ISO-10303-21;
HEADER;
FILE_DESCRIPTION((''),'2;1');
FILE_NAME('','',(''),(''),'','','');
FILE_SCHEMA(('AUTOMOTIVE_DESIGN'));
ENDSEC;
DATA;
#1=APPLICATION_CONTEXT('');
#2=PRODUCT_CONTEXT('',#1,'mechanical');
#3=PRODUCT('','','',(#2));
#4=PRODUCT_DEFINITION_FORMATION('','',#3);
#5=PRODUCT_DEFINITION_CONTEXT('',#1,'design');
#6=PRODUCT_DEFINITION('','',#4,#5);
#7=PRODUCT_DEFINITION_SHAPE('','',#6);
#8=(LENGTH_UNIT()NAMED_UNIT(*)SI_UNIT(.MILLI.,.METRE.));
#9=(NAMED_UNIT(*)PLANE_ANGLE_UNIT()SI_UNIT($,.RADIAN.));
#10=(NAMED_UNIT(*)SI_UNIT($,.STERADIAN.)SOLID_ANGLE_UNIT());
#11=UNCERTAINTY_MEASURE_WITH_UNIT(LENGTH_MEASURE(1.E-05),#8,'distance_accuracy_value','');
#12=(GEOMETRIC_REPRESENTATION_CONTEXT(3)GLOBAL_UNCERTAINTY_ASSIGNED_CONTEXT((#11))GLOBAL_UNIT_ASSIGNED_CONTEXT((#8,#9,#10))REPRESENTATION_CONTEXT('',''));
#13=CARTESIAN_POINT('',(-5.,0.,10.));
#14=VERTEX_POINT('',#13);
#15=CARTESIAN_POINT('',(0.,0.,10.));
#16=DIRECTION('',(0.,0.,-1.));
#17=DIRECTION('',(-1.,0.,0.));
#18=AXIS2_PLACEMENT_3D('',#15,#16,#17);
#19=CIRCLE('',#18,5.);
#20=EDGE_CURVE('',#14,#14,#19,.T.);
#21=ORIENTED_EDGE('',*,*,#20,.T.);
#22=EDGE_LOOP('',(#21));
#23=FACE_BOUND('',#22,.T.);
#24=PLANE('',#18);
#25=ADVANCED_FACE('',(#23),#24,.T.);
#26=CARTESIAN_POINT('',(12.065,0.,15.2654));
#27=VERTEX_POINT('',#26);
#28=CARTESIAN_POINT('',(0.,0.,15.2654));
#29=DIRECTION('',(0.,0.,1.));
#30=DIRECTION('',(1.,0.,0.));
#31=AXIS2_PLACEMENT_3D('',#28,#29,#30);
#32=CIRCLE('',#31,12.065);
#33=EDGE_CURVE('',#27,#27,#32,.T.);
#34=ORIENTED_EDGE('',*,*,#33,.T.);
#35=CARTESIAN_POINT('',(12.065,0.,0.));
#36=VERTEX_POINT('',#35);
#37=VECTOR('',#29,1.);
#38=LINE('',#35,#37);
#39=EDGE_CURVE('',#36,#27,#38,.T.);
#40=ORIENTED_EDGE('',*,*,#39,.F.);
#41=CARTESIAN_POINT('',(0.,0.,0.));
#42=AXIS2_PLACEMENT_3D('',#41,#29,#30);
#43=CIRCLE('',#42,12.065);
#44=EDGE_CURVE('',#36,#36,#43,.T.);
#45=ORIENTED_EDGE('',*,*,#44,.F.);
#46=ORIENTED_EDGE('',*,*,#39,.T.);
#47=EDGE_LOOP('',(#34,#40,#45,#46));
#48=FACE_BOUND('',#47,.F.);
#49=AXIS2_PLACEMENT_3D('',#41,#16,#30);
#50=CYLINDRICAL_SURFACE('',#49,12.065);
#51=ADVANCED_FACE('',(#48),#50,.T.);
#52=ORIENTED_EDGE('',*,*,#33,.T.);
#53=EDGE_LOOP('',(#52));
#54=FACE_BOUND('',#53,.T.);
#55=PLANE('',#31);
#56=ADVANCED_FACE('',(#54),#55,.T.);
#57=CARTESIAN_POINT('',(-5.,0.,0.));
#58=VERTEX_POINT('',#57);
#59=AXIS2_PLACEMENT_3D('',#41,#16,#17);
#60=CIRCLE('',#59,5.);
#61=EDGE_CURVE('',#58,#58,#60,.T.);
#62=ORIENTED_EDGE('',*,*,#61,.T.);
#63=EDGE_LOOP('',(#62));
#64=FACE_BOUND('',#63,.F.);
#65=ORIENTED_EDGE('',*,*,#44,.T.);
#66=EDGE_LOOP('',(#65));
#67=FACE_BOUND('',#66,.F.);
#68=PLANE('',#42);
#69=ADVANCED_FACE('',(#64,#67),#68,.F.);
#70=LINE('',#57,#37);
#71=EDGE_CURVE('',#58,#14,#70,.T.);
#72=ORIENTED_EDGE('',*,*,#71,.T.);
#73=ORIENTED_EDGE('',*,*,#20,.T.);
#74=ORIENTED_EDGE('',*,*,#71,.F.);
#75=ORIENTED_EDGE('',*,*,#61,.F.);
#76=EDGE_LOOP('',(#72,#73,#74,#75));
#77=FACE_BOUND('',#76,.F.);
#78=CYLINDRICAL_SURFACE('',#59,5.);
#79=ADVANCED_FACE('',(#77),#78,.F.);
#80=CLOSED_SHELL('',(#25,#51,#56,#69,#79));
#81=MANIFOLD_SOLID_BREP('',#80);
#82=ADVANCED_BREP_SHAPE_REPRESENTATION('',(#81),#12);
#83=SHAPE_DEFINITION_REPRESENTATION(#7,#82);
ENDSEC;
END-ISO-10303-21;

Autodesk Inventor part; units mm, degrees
ref_plane "YZ Plane" through (0, 0, 0) normal (1, 0, 0) x (0, 1, 0)
ref_plane "XZ Plane" through (0, 0, 0) normal (0, 1, 0) x (-1, 0, 0)
ref_plane "XY Plane" through (0, 0, 0) normal (0, 0, 1) x (1, 0, 0)
sketch "Sketch1" plane through (0, 0, 0) normal (0, 0, 1) x (1, 0, 0)
  circle A0 centre (0, 0) radius 12.065 projected
  point P0 (0, 0)
extrude "Extrusion1" add sketch "Sketch1" along normal blind 15.2654
sketch "Sketch2" plane through (0, 0, 0) normal (0, 0, -1) x (-1, 0, 0)
  circle A0 centre (0, 0) radius 5
  dimension "d2" = 10
extrude "Extrusion2" cut sketch "Sketch2" against normal blind 10
properties part number "Wheel"
